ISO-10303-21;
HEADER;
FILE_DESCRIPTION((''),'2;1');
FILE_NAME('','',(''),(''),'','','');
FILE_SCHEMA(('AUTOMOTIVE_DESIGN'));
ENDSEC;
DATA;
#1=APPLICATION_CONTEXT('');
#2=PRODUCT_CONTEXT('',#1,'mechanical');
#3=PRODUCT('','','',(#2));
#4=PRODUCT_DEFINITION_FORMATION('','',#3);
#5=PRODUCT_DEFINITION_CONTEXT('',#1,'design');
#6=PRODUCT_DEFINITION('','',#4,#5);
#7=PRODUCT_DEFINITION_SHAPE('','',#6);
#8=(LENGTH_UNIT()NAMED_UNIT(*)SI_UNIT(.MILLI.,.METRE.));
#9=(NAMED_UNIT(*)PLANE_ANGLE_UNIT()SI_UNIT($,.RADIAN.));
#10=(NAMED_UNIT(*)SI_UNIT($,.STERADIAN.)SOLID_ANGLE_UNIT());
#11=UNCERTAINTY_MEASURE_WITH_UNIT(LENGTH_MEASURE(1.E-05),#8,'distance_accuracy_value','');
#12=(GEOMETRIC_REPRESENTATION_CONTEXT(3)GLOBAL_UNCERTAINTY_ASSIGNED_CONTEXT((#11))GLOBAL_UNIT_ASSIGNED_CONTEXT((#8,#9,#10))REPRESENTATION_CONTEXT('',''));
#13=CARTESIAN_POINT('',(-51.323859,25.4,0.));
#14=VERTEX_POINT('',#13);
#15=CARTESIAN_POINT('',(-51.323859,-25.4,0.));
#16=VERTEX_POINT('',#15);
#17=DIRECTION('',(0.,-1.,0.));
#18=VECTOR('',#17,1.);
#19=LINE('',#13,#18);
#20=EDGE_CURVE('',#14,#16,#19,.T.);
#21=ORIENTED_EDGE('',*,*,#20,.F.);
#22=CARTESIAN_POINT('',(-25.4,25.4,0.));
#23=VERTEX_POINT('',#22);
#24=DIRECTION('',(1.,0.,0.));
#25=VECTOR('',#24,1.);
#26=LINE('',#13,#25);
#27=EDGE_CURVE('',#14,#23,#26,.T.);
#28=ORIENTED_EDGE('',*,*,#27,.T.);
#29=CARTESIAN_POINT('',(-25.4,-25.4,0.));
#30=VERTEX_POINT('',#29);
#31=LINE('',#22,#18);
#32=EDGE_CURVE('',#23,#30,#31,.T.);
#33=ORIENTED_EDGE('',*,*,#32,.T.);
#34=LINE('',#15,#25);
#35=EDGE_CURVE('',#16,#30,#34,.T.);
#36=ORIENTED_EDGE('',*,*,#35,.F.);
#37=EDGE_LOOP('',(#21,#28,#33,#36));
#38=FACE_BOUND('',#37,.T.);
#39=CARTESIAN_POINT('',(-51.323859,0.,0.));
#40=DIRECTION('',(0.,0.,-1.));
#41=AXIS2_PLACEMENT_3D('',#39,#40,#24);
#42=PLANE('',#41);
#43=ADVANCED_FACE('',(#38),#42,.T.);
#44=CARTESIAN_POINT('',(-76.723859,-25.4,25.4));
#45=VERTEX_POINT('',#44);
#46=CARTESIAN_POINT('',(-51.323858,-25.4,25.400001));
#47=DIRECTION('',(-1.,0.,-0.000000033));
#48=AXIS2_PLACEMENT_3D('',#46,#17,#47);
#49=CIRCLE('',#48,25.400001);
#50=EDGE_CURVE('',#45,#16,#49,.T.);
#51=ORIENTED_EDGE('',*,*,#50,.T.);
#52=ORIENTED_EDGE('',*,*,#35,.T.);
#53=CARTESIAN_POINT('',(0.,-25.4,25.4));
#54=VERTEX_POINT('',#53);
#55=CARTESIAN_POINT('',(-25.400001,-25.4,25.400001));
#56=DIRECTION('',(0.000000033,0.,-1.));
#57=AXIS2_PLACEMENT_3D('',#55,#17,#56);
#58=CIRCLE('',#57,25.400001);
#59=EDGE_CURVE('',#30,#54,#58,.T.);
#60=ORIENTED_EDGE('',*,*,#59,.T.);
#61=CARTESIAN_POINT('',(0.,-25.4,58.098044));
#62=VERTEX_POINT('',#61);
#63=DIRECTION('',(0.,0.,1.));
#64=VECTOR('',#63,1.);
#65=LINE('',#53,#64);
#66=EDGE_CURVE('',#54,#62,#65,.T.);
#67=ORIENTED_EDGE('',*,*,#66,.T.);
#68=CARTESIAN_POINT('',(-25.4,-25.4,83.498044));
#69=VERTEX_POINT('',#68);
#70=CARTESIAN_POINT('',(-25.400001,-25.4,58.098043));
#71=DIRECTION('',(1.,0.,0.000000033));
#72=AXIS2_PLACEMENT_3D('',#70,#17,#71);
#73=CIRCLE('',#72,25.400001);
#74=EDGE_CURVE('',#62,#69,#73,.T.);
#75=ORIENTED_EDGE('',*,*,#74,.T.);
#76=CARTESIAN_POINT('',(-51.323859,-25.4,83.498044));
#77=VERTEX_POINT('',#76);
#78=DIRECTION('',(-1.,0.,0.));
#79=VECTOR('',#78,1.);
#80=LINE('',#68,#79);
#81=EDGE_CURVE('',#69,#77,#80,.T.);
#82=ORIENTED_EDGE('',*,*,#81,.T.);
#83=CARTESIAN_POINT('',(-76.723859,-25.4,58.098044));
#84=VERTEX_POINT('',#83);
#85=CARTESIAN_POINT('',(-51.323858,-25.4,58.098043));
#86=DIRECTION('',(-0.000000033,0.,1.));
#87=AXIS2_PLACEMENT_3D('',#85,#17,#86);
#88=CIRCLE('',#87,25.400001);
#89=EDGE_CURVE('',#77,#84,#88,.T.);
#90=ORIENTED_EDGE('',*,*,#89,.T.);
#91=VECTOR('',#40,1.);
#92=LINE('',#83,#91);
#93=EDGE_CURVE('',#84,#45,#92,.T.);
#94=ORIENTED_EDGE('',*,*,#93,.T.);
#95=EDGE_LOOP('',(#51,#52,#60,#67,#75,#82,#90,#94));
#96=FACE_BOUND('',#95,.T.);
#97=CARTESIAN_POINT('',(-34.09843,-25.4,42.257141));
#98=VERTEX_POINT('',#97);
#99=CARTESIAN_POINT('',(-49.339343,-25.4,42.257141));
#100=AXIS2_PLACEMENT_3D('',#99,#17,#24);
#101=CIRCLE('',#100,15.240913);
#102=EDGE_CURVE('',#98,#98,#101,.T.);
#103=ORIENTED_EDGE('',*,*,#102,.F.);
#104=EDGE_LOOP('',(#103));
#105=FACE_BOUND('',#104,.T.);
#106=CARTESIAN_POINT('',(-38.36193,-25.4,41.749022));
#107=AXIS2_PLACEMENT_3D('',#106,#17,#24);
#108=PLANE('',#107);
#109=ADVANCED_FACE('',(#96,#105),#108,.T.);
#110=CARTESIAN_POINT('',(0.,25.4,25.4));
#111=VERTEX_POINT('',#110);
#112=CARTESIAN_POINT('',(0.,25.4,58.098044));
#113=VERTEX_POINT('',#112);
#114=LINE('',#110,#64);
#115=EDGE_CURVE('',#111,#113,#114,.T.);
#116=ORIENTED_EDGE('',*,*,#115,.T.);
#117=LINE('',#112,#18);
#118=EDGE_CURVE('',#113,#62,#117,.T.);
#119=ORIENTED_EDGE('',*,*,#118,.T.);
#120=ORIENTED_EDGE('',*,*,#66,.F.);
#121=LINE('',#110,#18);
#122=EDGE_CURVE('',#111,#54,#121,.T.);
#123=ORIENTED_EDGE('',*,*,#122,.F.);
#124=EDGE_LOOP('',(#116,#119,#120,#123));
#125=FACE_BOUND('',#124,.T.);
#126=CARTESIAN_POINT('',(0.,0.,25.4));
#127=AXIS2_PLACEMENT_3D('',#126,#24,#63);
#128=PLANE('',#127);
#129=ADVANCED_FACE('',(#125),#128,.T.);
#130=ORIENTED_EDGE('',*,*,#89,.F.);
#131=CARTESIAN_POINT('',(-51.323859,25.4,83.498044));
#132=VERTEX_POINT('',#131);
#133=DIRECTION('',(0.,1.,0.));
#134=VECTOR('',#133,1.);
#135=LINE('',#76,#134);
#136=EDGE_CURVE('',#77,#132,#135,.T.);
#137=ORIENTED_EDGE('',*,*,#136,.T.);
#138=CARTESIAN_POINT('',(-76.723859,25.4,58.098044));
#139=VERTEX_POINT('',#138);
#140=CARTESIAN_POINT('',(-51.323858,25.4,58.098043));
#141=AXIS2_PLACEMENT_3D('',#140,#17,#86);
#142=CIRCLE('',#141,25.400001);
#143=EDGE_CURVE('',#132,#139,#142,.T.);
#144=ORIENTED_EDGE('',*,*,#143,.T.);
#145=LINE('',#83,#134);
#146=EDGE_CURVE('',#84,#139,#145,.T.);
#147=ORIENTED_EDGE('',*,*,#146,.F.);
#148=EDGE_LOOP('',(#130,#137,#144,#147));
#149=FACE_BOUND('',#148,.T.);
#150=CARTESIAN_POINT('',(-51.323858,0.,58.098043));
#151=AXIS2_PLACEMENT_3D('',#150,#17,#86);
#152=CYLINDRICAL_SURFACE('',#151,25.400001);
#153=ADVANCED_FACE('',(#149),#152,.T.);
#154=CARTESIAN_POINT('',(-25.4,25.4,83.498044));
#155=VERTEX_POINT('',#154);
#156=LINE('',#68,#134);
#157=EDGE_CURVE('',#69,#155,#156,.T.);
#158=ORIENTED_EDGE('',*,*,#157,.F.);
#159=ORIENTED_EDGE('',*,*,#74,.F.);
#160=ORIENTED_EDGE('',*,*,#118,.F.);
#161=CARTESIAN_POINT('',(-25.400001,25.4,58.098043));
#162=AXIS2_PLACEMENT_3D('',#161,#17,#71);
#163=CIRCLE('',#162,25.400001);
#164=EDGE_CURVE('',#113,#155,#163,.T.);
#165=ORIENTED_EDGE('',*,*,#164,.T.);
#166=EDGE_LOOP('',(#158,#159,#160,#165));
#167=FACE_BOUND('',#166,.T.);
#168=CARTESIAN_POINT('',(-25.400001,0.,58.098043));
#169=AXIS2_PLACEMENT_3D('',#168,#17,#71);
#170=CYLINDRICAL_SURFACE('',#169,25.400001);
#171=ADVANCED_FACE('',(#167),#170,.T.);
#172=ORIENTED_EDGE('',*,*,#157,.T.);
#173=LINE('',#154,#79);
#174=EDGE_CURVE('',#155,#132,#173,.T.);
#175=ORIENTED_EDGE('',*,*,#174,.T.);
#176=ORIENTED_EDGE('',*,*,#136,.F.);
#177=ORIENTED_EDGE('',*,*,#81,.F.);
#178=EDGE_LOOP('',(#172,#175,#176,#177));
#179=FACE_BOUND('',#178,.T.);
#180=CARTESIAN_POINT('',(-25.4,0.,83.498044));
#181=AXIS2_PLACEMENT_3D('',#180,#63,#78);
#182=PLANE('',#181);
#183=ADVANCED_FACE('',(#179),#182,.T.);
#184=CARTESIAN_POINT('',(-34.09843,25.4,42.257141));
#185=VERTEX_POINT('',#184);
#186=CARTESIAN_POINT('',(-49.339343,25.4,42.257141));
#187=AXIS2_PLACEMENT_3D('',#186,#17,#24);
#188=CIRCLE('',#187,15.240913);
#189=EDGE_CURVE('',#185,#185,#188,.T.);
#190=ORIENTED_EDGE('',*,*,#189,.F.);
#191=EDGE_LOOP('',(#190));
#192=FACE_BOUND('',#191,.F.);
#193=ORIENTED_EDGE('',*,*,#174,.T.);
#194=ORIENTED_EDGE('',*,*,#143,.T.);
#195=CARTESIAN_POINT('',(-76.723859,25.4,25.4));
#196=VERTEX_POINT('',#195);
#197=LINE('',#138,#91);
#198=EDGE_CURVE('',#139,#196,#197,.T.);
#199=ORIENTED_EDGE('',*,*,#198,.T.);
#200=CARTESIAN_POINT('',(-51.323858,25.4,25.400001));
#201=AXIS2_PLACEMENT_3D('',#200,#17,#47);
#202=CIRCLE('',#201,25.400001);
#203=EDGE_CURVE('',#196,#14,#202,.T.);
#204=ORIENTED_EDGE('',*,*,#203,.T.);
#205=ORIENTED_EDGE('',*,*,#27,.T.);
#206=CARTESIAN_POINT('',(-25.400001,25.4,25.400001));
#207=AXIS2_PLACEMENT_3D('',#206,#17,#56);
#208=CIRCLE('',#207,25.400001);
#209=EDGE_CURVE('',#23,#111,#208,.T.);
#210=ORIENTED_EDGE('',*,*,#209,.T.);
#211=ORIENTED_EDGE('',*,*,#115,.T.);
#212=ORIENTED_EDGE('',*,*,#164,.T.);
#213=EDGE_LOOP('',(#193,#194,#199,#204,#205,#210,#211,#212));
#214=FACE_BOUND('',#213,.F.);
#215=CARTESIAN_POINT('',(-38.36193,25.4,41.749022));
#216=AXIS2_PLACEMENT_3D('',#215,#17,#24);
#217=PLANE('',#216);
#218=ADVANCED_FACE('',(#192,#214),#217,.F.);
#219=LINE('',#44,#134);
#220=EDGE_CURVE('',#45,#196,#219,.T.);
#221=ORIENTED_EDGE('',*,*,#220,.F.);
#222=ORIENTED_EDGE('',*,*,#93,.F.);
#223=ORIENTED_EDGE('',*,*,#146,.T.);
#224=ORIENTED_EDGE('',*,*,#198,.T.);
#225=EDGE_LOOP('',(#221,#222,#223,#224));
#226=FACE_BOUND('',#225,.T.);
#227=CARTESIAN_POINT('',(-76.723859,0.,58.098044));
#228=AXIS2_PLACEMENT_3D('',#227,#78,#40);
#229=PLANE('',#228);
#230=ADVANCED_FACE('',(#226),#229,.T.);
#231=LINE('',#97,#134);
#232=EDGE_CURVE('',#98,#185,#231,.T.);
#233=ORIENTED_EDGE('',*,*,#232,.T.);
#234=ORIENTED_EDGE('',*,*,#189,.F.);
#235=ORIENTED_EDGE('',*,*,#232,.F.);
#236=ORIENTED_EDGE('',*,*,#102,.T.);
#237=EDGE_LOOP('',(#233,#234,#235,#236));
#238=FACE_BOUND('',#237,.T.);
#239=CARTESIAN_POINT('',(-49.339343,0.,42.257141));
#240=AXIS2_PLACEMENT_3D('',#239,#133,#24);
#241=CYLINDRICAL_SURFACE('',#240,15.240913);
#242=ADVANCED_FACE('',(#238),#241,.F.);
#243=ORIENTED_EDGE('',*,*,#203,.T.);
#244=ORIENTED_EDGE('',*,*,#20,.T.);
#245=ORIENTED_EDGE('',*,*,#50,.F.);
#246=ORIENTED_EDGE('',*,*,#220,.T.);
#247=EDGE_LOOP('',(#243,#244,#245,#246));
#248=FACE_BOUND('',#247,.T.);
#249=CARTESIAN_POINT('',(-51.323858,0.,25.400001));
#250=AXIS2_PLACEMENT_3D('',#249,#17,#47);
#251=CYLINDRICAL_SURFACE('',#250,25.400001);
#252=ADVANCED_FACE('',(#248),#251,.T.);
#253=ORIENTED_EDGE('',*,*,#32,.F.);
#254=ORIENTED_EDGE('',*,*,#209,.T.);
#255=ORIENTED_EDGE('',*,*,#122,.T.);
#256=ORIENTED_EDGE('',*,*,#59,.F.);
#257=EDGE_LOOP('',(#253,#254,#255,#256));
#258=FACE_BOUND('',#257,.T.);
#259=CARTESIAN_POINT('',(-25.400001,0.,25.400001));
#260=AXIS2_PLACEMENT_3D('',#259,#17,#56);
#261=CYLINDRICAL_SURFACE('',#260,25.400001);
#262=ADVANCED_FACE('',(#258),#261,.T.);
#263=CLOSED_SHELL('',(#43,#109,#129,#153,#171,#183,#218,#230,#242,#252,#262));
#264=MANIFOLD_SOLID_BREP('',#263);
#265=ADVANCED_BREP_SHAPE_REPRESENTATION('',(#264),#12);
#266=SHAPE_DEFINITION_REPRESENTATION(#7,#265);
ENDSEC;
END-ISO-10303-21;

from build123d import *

# Parameters (mm, degrees)
F0_R     = 15.240913
F1_DEPTH = 25.4


with BuildPart() as f1:
    # F0 (on Front) → F1 (new body, symmetric)
    with BuildSketch(Plane.XZ):
        with BuildLine():
            ThreePointArc((-76.723859, 25.4), (-69.284371, 7.439488), (-51.323859, 0))
            Line((-51.323859, 0), (-25.4, 0))
            ThreePointArc((-25.4, 0), (-7.439488, 7.439488), (0, 25.4))
            Line((0, 25.4), (0, 58.098044))
            ThreePointArc((0, 58.098044), (-7.439488, 76.058556), (-25.4, 83.498044))
            Line((-25.4, 83.498044), (-51.323859, 83.498044))
            ThreePointArc((-51.323859, 83.498044), (-69.284371, 76.058556), (-76.723859, 58.098044))
            Line((-76.723859, 58.098044), (-76.723859, 25.4))
        make_face()
        with Locations((-49.339343, 42.257141)):
            Circle(F0_R, mode=Mode.SUBTRACT)
    extrude(amount=F1_DEPTH, both=True)


solid = f1.part
